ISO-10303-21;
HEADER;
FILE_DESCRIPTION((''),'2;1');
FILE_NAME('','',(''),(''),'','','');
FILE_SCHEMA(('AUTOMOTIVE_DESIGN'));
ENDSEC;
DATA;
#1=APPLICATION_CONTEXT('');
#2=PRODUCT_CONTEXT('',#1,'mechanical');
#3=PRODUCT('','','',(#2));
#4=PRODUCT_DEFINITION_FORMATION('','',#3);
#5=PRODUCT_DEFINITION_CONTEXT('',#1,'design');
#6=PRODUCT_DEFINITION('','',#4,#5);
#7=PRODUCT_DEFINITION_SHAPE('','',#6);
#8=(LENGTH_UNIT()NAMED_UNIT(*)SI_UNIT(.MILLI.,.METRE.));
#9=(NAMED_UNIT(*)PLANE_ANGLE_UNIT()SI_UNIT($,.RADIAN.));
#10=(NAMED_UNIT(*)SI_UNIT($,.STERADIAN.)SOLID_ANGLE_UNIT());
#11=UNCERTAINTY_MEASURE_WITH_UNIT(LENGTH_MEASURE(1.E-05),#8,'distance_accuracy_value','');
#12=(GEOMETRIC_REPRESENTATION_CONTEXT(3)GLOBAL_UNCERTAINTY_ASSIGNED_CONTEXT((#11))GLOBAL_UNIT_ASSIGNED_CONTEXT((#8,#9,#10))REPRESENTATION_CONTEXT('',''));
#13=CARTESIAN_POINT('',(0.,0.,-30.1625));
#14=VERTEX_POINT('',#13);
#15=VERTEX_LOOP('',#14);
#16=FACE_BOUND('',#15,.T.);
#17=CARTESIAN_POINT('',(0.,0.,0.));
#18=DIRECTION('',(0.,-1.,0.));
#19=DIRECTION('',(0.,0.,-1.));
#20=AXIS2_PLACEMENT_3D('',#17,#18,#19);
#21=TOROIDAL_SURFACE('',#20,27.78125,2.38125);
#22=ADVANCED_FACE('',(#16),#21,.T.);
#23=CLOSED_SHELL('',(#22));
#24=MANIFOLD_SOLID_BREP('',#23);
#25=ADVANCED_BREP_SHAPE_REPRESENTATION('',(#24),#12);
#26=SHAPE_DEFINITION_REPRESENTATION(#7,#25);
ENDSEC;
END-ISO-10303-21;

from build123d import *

# Parameters (mm, degrees)
SKETCH1_R = 2.38125


with BuildPart() as part:
    # Sketch1 → Revolve1 (revolve)
    with BuildSketch(Plane.XY, mode=Mode.PRIVATE) as revolve1_sk:
        with Locations((-27.78125, 0)):
            Circle(SKETCH1_R)
    revolve(revolve1_sk.sketch.rotate(Axis((0, 0, 0), (0, 1, 0)), 270), axis=Axis((0, 0, 0), (0, 1, 0)))


solid = part.part
